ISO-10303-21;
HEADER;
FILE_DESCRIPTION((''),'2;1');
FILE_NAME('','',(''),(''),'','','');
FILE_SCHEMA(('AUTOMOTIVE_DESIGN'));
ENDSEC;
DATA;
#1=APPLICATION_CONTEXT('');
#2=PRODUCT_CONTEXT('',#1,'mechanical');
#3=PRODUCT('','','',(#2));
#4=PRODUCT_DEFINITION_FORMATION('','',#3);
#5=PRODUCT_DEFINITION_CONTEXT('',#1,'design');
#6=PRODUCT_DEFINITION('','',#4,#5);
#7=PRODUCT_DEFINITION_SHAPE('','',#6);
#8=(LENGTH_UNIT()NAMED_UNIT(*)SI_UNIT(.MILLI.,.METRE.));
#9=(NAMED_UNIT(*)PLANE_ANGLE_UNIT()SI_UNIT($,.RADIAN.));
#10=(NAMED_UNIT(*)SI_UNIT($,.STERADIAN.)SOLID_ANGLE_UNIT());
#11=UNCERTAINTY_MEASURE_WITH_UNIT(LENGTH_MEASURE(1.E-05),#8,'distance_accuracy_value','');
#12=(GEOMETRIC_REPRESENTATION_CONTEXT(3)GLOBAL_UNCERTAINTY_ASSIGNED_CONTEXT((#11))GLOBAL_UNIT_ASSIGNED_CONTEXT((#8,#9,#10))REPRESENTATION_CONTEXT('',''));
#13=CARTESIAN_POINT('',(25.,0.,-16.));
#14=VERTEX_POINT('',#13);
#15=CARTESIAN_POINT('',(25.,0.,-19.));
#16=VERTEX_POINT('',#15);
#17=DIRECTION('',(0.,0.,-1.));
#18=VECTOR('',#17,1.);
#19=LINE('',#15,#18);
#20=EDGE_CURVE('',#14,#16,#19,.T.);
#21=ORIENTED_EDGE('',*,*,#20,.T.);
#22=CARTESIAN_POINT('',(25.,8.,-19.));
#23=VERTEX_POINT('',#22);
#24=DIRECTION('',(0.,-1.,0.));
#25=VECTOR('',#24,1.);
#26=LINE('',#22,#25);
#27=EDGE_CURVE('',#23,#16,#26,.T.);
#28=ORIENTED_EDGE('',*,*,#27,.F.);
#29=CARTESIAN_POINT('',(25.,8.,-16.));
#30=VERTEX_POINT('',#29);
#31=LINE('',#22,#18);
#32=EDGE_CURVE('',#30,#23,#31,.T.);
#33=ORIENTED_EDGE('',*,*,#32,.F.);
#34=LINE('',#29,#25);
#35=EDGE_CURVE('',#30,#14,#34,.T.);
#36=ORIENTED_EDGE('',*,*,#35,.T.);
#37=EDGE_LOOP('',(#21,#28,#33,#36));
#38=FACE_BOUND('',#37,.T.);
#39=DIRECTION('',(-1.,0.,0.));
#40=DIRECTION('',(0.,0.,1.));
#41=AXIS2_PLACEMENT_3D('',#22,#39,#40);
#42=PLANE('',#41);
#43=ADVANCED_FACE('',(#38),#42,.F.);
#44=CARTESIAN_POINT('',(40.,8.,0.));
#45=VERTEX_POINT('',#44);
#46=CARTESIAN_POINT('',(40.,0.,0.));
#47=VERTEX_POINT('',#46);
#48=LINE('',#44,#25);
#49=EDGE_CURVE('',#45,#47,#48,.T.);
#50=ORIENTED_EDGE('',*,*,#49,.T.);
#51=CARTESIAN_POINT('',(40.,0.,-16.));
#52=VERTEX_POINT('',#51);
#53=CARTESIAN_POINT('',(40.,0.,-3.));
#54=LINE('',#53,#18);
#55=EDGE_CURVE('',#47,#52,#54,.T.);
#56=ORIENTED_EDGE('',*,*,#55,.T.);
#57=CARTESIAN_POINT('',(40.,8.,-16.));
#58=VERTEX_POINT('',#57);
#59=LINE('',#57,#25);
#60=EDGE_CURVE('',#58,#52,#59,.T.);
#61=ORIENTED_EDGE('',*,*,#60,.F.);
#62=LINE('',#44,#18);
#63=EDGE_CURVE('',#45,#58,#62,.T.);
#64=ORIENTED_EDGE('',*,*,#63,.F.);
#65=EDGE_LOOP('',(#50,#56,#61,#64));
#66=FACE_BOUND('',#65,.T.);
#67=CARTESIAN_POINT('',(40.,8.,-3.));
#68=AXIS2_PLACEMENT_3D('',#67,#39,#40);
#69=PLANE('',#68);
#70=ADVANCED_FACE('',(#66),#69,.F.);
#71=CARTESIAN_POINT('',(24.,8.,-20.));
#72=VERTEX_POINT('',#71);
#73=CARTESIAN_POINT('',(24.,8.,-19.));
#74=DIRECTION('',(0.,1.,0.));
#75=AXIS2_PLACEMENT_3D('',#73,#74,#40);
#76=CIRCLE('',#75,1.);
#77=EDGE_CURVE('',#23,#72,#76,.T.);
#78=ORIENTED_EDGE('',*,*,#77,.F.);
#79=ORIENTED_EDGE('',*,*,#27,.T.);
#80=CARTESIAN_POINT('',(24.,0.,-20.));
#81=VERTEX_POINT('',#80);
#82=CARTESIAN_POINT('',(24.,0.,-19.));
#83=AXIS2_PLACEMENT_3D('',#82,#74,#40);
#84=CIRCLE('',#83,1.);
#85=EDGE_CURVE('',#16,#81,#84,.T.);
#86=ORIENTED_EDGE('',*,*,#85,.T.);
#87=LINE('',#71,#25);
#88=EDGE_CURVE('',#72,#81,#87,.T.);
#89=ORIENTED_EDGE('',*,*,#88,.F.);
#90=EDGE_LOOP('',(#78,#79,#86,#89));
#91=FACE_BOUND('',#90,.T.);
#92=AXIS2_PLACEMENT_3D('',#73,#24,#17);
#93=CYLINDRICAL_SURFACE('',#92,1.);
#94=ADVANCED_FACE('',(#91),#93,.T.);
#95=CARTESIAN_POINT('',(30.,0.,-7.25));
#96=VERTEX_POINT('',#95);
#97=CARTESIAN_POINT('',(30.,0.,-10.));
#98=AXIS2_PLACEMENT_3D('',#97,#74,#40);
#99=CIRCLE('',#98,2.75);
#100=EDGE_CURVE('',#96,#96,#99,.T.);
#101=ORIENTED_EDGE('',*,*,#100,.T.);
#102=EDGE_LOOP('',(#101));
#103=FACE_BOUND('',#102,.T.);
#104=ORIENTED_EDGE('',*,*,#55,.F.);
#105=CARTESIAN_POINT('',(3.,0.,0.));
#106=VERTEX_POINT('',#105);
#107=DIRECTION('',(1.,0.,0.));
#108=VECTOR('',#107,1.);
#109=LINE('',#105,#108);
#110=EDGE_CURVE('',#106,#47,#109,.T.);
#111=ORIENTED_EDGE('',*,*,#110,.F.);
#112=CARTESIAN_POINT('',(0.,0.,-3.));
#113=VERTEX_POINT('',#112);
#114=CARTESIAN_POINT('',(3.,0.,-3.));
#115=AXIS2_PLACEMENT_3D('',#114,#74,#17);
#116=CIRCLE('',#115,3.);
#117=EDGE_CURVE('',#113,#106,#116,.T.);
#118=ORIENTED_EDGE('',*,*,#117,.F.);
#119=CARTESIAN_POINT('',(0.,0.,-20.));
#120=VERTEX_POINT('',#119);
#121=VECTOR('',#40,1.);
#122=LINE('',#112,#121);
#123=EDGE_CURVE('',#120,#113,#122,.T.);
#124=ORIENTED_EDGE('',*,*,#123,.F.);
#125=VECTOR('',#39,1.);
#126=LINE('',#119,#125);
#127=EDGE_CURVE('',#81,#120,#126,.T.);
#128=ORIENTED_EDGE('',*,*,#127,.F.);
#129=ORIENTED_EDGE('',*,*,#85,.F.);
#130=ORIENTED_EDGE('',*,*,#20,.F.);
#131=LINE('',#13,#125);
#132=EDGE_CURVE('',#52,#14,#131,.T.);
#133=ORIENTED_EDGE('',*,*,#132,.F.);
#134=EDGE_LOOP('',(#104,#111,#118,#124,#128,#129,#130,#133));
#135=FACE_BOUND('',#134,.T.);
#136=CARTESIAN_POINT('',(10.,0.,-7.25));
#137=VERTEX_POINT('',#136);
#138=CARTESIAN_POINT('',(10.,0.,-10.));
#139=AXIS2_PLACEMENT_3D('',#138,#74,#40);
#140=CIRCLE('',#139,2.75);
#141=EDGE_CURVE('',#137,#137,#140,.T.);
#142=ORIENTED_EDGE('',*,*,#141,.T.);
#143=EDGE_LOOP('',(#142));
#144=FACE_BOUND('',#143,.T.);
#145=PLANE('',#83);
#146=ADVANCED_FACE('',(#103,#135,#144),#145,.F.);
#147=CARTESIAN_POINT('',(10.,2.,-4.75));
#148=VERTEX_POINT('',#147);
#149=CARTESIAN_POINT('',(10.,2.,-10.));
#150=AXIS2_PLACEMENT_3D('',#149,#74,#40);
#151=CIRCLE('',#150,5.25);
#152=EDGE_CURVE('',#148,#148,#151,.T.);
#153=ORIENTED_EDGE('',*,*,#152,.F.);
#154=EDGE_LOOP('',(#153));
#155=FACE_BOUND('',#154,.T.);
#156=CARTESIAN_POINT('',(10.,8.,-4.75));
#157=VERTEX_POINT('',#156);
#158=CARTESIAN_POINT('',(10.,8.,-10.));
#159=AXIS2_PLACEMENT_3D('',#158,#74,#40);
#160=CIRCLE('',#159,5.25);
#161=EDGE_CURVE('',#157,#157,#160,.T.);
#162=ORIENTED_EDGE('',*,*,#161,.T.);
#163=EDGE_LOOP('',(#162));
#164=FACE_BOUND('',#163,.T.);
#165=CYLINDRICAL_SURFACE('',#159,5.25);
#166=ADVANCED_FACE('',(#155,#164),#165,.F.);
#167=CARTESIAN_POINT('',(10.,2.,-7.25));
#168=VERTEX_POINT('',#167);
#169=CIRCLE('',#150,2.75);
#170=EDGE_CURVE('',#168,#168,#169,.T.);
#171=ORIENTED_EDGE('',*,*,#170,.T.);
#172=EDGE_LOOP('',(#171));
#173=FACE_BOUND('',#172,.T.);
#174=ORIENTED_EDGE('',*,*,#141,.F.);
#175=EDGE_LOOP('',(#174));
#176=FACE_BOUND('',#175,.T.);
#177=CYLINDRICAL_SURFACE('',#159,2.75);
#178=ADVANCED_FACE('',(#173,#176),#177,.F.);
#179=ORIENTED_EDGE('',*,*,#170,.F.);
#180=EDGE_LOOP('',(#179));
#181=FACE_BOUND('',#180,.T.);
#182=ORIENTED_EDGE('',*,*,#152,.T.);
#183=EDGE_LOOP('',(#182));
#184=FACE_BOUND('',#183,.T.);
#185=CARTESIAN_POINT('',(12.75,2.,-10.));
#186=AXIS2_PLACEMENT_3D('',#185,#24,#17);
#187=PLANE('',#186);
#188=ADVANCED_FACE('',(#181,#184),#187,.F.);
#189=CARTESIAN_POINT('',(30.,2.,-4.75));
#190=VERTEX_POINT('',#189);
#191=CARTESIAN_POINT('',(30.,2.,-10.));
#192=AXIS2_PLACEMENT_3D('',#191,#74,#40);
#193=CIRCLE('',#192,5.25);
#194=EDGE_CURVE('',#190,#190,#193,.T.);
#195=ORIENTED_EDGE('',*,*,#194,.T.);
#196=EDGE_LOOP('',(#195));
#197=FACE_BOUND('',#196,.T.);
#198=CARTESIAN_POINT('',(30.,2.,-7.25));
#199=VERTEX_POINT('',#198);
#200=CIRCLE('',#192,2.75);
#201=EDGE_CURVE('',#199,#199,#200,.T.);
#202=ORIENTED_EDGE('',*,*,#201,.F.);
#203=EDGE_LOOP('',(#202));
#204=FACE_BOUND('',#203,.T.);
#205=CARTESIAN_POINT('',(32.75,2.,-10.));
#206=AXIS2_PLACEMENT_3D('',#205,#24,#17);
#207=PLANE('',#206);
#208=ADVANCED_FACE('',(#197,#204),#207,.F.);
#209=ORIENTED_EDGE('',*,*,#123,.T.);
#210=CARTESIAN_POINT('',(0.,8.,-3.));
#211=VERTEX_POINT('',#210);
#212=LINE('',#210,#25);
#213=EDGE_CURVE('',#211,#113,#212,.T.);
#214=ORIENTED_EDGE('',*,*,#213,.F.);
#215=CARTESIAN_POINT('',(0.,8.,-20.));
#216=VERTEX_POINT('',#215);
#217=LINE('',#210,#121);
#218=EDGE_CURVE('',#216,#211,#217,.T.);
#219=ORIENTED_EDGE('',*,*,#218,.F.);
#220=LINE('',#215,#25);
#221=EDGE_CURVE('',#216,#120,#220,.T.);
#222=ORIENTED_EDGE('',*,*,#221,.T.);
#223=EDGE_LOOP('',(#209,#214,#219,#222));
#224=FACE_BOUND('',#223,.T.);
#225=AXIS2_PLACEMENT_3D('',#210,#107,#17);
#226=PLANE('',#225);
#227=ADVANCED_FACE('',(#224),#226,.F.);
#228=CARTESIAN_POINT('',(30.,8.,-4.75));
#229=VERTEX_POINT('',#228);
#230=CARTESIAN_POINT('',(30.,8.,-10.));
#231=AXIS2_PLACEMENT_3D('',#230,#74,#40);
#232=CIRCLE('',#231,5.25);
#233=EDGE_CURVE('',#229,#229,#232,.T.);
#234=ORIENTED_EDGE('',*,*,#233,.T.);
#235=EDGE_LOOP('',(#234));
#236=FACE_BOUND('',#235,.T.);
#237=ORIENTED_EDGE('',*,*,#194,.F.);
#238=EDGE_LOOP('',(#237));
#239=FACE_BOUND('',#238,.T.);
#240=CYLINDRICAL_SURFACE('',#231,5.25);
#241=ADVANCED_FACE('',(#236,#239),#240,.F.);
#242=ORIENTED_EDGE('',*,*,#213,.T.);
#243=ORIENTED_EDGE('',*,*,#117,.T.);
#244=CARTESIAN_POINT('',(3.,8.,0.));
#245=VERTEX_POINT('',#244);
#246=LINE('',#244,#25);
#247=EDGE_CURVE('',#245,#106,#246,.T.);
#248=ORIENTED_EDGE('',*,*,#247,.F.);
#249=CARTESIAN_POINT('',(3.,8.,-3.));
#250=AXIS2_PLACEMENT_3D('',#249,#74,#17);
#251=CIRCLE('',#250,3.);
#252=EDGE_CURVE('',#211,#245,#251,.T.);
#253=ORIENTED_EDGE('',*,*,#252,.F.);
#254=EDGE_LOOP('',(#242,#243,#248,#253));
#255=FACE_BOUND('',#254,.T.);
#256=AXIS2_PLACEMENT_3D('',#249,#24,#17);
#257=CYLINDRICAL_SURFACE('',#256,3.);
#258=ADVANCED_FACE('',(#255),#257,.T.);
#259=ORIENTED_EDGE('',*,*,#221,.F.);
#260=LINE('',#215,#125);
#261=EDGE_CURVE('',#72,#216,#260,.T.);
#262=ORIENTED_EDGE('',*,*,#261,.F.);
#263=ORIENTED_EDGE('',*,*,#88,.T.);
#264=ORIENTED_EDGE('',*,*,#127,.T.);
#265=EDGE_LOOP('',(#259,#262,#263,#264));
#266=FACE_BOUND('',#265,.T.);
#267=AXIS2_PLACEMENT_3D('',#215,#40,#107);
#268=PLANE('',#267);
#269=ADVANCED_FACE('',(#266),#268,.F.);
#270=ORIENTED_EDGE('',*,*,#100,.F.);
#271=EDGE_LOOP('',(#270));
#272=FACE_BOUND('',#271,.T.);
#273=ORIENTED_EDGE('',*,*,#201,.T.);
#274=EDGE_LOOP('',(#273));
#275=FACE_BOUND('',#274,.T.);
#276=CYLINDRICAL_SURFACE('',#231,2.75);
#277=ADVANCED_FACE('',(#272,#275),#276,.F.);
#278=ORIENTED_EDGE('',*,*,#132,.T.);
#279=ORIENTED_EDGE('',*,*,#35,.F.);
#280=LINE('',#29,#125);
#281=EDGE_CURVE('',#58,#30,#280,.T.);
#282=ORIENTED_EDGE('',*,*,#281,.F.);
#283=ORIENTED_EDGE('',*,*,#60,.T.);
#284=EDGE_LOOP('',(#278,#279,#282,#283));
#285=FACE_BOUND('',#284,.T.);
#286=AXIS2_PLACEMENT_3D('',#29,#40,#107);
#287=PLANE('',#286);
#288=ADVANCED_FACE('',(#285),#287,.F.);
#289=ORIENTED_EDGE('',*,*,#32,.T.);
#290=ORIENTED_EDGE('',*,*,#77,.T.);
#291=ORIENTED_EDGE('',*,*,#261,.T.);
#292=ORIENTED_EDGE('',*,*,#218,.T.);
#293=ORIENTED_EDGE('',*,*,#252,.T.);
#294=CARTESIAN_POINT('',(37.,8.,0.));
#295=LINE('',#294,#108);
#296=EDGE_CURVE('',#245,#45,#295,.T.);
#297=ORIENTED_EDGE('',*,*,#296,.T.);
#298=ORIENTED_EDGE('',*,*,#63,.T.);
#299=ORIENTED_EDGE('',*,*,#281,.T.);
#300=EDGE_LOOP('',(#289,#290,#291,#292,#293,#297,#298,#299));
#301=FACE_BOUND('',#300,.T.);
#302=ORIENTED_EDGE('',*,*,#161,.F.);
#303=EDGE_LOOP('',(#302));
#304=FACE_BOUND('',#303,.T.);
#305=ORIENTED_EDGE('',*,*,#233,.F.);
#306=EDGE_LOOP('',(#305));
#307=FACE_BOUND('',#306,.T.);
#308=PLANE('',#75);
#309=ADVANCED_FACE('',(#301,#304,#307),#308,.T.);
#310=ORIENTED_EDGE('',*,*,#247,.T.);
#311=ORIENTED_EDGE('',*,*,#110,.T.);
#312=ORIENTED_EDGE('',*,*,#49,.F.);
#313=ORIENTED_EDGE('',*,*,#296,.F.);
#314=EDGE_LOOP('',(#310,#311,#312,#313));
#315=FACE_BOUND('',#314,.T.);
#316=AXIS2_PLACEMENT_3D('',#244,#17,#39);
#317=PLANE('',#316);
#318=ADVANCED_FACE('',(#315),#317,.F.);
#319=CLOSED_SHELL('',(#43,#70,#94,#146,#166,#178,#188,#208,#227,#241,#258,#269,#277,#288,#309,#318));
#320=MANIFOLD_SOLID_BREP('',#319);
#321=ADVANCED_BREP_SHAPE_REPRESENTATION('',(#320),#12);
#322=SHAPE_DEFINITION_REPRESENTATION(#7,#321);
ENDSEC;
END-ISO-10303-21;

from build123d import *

# Parameters (mm, degrees)
BOSS_EXTRUDE1_DEPTH            = 8
CBORE_FOR_M5_SHCS1_D           = 5.5
CBORE_FOR_M5_SHCS1_DEPTH       = 8
CBORE_FOR_M5_SHCS1_CBORE_D     = 10.5
CBORE_FOR_M5_SHCS1_CBORE_DEPTH = 6


with BuildPart() as part:
    # Sketch1 → Boss-Extrude1 (new body)
    with BuildSketch(Plane(origin=(0, 0, 0), x_dir=(1, 0, 0), z_dir=(0, 1, 0))):
        with BuildLine():
            Line((3, 0), (37, 0))
            Line((37, 0), (40, 0))
            Line((40, 0), (40, 3))
            Line((40, 3), (40, 16))
            Line((40, 16), (25, 16))
            Line((25, 16), (25, 19))
            ThreePointArc((25, 19), (24.707106781, 19.707106781), (24, 20))
            Line((24, 20), (0, 20))
            Line((0, 20), (0, 3))
            ThreePointArc((0, 3), (0.878679656, 0.878679656), (3, 0))
        make_face()
    extrude(amount=BOSS_EXTRUDE1_DEPTH)

    # CBORE for M5 SHCS1
    with Locations(Plane(origin=(0, 8, 0), x_dir=(1, 0, 0), z_dir=(0, 1, 0))):
        with Locations((30, 10), (10, 10)):
            CounterBoreHole(CBORE_FOR_M5_SHCS1_D / 2, CBORE_FOR_M5_SHCS1_CBORE_D / 2, CBORE_FOR_M5_SHCS1_CBORE_DEPTH, depth=CBORE_FOR_M5_SHCS1_DEPTH)


solid = part.part
